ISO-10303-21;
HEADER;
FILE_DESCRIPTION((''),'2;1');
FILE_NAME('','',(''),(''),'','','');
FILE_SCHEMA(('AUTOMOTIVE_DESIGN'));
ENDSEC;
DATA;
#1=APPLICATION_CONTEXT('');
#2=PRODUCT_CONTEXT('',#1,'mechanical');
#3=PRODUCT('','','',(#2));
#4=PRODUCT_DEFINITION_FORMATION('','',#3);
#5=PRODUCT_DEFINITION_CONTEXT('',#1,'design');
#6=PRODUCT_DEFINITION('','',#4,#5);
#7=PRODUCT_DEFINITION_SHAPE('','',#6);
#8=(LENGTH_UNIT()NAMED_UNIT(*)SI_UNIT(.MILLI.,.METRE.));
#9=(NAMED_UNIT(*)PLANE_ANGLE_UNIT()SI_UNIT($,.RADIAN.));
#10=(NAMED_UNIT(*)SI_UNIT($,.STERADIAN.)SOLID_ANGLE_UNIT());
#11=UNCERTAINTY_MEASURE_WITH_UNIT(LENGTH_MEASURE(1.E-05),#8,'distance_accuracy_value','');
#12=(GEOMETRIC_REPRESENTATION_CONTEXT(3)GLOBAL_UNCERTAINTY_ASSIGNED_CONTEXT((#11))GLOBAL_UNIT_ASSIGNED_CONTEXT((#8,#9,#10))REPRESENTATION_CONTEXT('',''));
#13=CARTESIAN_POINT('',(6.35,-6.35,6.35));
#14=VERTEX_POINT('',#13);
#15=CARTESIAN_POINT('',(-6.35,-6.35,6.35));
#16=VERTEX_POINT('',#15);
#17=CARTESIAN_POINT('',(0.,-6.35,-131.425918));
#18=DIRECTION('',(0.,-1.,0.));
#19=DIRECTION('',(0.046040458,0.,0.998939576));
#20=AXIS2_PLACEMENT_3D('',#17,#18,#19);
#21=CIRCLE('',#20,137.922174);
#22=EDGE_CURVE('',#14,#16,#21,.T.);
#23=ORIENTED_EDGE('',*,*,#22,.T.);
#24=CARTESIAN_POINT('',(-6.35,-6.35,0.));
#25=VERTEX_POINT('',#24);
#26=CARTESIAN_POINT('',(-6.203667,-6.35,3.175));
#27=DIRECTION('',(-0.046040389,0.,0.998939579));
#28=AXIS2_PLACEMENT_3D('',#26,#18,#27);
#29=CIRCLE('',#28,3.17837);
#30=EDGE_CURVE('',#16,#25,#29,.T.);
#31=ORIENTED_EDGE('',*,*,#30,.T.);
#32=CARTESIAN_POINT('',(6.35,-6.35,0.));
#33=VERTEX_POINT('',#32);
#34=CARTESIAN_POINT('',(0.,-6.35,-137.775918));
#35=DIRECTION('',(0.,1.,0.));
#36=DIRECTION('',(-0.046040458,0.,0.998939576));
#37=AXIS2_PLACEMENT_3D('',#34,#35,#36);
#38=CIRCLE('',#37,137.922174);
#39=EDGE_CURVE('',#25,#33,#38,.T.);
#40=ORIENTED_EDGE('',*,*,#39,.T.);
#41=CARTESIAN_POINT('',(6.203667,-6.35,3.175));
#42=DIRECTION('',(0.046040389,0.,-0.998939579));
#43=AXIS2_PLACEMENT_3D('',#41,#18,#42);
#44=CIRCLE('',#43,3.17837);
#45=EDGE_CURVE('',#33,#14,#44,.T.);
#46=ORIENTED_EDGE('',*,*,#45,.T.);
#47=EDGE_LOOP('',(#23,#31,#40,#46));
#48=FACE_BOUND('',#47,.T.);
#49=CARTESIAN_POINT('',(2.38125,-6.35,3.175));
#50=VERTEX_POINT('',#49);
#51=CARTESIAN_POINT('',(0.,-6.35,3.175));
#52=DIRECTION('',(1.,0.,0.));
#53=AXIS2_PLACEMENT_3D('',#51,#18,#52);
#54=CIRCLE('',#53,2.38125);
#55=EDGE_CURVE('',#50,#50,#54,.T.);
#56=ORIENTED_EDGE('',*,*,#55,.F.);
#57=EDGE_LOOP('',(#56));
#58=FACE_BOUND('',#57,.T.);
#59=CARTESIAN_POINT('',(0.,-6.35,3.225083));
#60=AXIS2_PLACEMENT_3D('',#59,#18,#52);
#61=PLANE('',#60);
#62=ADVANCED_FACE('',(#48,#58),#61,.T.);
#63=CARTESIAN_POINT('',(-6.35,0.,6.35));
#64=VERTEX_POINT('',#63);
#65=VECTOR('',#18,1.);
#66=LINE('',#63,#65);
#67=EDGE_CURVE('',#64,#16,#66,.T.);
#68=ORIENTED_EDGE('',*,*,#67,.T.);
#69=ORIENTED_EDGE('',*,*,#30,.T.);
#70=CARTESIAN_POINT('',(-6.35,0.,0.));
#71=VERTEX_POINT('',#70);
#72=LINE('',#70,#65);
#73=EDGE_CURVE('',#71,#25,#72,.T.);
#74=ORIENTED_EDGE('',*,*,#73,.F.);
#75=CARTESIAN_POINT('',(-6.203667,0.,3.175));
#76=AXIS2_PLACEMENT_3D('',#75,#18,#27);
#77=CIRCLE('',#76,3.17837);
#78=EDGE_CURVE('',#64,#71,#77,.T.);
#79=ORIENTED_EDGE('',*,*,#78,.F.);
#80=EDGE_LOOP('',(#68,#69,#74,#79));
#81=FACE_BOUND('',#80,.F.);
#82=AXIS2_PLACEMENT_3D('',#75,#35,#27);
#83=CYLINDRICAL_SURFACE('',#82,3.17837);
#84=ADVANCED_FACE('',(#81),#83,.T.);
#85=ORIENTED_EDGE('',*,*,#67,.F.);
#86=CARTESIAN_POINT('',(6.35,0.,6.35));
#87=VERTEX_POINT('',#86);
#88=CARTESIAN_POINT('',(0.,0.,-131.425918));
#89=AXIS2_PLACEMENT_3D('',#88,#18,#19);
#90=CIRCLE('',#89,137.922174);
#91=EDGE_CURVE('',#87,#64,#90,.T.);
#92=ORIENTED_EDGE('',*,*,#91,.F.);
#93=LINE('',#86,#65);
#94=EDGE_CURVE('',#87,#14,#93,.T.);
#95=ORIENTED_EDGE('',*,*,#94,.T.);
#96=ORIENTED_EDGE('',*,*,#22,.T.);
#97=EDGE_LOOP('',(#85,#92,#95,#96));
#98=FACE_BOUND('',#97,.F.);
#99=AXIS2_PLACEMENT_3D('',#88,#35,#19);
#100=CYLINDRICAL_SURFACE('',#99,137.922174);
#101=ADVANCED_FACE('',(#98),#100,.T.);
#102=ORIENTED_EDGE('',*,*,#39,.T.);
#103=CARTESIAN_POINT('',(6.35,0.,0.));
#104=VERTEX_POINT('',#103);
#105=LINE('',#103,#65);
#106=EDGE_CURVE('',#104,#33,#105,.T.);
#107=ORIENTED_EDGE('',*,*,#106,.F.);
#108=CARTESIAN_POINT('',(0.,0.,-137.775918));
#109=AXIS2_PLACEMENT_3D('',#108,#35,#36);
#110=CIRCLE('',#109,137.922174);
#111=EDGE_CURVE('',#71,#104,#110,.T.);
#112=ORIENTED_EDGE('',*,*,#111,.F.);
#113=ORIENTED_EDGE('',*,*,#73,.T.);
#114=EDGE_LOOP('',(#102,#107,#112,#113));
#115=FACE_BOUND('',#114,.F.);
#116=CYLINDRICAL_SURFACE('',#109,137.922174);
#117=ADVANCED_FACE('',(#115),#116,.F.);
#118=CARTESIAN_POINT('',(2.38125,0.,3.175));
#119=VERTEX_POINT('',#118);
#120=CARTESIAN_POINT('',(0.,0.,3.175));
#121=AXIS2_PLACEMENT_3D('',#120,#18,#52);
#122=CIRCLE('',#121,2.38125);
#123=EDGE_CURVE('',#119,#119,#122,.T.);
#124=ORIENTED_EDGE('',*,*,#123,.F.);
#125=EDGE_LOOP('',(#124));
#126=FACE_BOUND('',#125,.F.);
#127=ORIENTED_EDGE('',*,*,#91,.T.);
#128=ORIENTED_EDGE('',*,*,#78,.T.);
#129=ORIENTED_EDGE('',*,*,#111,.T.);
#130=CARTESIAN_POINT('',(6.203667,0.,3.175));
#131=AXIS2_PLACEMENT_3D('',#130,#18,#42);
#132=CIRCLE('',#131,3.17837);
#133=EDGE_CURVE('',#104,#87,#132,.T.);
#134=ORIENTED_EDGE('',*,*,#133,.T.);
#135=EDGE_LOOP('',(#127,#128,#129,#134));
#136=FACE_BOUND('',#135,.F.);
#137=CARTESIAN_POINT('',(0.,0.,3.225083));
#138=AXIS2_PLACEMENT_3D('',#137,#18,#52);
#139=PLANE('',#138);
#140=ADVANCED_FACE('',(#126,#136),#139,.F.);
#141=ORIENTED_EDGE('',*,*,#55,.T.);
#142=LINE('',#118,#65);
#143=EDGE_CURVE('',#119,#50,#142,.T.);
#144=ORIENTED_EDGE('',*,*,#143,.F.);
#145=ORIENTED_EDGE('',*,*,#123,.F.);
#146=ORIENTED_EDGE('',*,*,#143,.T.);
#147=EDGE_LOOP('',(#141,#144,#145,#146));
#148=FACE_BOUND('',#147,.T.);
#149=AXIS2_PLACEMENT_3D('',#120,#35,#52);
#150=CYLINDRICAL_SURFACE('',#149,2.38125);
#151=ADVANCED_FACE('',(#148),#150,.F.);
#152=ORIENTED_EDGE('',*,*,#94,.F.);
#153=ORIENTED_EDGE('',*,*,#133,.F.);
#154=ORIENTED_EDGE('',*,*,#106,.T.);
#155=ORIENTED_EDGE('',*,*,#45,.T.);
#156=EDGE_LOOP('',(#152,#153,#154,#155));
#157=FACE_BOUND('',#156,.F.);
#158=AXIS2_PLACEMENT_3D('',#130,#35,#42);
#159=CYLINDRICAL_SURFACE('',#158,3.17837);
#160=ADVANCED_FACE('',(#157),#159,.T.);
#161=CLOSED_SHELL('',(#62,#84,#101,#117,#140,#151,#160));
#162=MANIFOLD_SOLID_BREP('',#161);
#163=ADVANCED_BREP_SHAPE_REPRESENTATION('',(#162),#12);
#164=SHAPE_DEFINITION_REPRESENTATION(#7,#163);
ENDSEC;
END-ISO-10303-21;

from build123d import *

# Parameters (mm, degrees)
F0_R     = 2.38125
F1_DEPTH = 6.35


with BuildPart() as f1:
    # F0 (on Front) → F1 (new body)
    with BuildSketch(Plane.XZ):
        with BuildLine():
            ThreePointArc((-6.35, 0), (0, 0.146256), (6.35, 0))
            ThreePointArc((6.35, 0), (9.382037, 3.175), (6.35, 6.35))
            ThreePointArc((6.35, 6.35), (0, 6.496256), (-6.35, 6.35))
            ThreePointArc((-6.35, 6.35), (-9.382037, 3.175), (-6.35, 0))
        make_face()
        with Locations((0, 3.175)):
            Circle(F0_R, mode=Mode.SUBTRACT)
    extrude(amount=F1_DEPTH)


solid = f1.part
